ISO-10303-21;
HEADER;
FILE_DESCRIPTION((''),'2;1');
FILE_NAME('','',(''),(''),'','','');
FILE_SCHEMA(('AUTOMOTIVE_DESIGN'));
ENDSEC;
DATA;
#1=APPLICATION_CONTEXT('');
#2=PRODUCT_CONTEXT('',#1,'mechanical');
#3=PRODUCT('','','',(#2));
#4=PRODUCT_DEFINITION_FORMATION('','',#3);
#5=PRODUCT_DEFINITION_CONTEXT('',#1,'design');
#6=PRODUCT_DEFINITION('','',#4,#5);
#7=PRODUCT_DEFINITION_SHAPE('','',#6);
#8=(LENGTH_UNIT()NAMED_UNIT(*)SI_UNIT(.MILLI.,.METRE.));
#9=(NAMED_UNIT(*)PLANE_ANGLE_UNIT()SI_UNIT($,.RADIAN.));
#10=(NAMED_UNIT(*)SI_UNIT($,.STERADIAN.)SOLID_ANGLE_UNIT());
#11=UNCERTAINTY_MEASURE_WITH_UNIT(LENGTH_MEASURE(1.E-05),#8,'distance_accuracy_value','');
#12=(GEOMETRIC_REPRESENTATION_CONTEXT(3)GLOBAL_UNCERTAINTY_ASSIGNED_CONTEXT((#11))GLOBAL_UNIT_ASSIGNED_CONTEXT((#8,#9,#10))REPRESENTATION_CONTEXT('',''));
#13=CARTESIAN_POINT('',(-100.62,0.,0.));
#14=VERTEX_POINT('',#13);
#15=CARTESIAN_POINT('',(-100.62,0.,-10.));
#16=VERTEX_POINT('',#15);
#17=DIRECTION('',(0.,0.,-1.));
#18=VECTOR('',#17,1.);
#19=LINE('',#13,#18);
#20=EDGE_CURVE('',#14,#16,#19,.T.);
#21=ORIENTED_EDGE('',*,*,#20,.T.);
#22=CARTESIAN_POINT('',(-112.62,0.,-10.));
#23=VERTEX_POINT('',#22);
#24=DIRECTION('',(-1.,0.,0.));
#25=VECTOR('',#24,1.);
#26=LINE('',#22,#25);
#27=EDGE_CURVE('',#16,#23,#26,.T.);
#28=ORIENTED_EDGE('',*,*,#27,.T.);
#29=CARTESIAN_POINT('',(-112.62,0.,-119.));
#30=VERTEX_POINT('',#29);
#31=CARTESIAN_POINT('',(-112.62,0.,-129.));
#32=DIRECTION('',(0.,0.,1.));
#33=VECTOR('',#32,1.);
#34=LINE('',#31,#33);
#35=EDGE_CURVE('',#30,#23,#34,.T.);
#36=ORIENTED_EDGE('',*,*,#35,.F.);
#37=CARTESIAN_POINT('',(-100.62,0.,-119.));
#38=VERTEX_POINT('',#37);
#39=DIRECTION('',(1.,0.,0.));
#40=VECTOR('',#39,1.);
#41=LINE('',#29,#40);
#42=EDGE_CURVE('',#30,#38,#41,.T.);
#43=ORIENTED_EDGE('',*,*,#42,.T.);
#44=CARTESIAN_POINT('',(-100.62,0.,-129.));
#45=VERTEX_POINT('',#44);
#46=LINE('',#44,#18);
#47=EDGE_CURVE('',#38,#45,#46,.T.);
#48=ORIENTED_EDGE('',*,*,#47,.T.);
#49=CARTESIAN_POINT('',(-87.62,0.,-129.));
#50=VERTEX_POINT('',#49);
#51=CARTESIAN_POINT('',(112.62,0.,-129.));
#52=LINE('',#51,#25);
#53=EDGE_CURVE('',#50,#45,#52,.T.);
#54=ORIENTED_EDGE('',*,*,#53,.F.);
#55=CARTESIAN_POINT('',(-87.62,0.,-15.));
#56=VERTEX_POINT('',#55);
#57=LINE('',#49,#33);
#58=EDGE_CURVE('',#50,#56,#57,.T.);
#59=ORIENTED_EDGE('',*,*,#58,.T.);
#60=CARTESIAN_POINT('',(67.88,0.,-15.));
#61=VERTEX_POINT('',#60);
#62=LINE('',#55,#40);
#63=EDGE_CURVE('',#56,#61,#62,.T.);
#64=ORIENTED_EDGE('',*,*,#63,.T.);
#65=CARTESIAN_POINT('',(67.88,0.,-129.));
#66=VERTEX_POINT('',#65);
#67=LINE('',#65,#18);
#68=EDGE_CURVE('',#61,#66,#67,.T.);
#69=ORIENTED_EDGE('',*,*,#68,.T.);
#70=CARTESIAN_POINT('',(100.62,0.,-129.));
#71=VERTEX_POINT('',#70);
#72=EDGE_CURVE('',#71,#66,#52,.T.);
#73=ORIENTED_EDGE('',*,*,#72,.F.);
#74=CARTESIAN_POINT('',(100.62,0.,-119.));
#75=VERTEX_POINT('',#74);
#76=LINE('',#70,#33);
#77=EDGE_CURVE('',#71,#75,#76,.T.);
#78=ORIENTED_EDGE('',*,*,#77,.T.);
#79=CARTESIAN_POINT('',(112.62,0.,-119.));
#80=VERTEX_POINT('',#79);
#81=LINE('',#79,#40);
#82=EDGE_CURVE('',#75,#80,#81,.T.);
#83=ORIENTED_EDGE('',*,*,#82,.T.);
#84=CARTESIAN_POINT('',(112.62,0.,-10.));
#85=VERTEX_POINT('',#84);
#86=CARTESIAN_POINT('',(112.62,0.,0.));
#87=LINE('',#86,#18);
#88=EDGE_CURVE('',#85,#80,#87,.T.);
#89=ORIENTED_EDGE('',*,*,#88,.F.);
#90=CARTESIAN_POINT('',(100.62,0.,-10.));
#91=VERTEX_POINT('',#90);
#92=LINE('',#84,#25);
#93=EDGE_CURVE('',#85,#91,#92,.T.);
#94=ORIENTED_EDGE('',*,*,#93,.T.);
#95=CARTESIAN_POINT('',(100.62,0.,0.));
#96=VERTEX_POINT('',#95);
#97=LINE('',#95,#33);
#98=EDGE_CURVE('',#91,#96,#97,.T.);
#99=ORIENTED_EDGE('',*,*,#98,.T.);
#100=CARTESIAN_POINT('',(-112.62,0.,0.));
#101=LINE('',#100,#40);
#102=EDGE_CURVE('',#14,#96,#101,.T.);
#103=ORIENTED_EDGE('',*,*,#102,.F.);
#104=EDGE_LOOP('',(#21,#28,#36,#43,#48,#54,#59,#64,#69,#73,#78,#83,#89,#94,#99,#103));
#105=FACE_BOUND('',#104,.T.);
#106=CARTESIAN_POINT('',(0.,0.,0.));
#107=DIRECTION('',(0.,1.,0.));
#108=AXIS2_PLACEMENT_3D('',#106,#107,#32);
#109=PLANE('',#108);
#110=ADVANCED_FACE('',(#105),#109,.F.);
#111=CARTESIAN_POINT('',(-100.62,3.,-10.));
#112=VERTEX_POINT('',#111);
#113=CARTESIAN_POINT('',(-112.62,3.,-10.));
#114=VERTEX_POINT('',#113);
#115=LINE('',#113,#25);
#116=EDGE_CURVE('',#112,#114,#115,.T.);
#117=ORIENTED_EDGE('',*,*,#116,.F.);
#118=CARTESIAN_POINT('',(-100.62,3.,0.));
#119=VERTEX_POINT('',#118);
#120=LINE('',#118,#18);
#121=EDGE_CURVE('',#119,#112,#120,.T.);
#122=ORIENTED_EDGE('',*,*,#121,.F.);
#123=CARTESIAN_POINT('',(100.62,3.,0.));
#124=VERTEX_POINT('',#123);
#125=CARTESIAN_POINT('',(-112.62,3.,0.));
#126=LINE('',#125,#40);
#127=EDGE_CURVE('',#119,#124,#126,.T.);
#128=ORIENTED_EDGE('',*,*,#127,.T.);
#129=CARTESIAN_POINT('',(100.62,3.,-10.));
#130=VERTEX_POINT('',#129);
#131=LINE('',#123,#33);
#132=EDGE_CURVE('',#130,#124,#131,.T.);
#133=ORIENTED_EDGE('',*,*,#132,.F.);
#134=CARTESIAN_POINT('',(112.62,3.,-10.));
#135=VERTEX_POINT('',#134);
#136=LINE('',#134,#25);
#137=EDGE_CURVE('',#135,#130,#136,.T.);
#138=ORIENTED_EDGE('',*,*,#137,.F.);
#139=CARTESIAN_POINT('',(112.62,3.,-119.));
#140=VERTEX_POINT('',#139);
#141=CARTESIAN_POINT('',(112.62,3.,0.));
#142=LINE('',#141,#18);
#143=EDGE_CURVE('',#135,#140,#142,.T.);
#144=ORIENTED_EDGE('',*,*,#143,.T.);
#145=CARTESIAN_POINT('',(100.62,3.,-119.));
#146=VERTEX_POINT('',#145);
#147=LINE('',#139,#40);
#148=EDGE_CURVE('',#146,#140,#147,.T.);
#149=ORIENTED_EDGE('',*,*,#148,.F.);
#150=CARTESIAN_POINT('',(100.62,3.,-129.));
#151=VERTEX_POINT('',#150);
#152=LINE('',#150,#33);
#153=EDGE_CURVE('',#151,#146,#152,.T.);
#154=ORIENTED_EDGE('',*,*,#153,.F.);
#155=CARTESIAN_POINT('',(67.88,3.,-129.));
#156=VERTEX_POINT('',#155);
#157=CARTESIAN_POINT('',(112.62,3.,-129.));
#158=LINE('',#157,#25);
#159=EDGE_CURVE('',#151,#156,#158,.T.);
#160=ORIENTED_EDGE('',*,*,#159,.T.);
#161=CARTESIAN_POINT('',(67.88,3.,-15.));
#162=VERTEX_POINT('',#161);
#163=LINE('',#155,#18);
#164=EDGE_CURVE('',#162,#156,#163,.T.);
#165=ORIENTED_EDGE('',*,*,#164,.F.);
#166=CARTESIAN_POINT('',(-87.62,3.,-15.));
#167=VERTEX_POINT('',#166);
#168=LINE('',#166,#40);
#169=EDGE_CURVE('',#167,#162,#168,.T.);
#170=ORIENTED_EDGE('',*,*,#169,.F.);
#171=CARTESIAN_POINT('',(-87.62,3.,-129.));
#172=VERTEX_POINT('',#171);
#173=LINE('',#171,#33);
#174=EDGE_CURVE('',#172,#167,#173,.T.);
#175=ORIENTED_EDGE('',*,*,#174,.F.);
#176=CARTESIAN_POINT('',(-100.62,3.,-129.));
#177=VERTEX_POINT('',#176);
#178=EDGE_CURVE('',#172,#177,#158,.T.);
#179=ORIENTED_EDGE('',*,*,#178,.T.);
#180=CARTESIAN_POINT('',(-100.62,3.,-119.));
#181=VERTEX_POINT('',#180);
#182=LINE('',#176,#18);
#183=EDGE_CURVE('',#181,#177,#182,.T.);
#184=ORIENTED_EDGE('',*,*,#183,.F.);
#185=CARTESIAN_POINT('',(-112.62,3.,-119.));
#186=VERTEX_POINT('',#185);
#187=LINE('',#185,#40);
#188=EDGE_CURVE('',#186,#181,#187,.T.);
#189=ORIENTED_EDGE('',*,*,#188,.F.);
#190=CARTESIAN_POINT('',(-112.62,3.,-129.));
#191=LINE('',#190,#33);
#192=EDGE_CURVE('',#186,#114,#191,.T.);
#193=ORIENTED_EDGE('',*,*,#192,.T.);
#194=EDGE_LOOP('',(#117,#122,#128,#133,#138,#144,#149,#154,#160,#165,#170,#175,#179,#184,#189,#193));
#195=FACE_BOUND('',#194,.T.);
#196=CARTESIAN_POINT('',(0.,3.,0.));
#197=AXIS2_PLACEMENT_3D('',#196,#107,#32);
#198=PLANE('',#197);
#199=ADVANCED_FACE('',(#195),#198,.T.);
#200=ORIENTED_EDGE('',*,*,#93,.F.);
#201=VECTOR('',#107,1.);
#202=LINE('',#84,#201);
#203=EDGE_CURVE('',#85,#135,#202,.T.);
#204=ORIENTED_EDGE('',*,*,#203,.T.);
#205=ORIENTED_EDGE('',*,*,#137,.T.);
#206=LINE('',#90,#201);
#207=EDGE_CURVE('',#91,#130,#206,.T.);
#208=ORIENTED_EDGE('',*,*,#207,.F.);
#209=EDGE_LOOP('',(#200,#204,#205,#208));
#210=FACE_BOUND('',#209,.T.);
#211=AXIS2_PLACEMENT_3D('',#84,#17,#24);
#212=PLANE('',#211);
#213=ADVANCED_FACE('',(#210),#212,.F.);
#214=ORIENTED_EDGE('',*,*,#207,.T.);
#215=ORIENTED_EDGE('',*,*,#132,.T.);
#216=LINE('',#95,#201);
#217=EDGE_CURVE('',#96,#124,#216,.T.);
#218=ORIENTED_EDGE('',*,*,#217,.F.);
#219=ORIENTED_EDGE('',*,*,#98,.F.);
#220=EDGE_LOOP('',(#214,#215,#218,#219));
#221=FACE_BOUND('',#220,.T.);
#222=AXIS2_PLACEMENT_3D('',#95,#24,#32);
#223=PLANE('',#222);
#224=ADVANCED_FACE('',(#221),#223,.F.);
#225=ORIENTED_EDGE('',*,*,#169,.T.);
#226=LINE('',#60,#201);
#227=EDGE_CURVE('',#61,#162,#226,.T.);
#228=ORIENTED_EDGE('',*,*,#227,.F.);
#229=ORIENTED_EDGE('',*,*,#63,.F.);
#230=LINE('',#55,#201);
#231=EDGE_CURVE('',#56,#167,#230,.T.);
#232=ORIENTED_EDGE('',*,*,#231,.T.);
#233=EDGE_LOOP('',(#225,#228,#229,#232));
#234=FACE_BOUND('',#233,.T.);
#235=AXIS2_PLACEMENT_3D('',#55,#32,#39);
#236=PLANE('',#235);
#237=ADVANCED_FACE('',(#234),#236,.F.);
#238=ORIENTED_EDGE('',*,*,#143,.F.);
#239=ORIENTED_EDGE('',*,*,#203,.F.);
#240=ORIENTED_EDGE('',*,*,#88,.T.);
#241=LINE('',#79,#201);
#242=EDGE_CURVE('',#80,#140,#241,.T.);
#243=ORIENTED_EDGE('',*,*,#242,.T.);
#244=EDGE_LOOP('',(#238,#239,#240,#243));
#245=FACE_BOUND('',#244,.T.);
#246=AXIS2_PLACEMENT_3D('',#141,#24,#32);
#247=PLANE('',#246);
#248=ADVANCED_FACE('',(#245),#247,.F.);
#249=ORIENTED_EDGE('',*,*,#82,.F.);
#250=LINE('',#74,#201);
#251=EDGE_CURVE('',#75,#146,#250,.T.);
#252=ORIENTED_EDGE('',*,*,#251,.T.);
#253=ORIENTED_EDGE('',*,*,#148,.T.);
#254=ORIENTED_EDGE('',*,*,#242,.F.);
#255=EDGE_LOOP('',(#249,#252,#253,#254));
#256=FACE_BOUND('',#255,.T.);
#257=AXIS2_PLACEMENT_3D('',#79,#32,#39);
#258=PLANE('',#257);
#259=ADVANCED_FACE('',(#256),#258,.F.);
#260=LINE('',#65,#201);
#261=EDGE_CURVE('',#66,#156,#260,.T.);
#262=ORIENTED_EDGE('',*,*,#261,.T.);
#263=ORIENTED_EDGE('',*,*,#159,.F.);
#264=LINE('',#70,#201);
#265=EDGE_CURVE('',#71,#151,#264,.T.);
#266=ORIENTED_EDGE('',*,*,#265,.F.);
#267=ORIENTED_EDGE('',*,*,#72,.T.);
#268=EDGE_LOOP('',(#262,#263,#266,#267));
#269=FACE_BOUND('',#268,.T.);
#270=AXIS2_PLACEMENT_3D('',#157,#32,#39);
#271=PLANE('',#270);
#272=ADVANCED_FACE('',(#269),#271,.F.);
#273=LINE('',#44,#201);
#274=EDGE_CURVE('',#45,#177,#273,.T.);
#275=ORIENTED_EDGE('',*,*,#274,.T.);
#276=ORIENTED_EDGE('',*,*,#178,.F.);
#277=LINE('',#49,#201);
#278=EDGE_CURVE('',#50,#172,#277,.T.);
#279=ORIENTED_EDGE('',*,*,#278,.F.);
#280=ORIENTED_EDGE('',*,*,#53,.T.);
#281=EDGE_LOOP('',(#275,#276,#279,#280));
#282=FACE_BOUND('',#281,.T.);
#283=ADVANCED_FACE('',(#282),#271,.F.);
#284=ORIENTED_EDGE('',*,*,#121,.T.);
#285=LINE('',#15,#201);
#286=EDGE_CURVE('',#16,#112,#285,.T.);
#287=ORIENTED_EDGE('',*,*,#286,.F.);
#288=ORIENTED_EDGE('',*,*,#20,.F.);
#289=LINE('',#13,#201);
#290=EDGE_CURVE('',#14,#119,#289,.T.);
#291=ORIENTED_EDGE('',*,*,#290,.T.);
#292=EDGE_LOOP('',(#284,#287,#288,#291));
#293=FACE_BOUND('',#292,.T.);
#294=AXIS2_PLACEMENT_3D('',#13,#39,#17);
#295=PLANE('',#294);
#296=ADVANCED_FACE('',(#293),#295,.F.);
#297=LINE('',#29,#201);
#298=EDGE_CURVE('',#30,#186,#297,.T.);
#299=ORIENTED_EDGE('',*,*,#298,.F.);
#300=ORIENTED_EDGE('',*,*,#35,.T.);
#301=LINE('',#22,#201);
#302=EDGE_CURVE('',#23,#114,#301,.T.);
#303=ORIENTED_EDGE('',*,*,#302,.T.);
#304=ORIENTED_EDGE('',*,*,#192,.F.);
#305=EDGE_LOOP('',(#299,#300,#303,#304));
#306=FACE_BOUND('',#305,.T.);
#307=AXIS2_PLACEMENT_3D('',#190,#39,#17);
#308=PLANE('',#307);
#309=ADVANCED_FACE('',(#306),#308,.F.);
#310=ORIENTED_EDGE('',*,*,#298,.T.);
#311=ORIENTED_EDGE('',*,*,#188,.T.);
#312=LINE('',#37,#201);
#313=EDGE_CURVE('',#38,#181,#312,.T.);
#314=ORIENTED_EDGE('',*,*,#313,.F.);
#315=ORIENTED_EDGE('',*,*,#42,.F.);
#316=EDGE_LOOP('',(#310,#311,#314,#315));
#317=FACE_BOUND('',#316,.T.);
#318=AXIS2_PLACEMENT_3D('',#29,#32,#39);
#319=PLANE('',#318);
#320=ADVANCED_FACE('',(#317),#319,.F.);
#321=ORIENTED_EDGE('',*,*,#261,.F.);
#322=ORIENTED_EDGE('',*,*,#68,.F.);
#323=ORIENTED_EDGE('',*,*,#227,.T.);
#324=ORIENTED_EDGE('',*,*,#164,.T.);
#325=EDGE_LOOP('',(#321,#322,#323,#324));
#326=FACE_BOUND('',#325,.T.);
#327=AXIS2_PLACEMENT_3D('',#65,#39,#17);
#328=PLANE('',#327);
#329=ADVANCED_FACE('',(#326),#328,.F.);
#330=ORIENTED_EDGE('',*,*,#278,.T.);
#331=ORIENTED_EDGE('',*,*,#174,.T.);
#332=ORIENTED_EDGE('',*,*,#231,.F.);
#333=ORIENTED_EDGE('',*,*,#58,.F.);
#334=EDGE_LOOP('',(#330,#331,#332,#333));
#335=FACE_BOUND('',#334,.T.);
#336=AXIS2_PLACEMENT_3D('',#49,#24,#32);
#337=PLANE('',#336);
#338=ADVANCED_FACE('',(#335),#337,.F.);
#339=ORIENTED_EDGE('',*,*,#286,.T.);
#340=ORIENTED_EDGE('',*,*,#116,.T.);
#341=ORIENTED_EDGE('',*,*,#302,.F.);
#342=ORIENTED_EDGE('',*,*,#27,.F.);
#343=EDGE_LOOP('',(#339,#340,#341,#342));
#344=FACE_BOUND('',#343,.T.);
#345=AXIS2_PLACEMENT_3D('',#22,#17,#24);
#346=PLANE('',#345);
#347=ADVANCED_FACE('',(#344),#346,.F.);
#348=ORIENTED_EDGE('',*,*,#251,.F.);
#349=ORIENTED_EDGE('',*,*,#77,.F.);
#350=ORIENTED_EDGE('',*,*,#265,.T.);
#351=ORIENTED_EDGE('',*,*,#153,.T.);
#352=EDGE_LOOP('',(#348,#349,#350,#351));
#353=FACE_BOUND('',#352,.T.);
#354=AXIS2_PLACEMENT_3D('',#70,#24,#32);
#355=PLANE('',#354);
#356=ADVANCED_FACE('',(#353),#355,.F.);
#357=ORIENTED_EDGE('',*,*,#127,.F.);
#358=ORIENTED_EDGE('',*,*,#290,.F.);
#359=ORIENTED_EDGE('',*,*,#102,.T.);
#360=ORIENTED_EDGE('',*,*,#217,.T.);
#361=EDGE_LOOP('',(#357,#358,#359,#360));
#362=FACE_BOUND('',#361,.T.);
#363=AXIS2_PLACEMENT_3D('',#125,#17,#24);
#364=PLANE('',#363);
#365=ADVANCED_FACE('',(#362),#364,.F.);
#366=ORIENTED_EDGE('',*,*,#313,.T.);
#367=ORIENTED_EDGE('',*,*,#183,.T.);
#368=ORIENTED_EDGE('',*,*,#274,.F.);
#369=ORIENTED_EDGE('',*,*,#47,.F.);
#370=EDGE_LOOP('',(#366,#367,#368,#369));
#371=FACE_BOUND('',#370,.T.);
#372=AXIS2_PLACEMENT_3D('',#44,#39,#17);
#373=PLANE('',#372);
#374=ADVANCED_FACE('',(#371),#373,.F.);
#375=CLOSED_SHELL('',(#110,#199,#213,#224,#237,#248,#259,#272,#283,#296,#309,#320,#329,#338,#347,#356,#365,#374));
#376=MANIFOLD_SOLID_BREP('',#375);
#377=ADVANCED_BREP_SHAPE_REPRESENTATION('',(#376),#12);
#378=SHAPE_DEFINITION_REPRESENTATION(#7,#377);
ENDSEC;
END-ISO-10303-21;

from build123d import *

# Parameters (mm, degrees)
SKETCH1_W           = 225.24
SKETCH1_H           = 129
BOSS_EXTRUDE1_DEPTH = 3
SKETCH2_W           = 12
SKETCH2_H           = 10
SKETCH2_W_2         = 155.5
SKETCH2_H_2         = 114
CUT_EXTRUDE1_DEPTH  = 172.269566473


with BuildPart() as part:
    # Sketch1 → Boss-Extrude1 (new body)
    with BuildSketch(Plane(origin=(0, 0, 0), x_dir=(1, 0, 0), z_dir=(0, 1, 0))):
        with Locations((0, 64.5)):
            Rectangle(SKETCH1_W, SKETCH1_H)
    extrude(amount=BOSS_EXTRUDE1_DEPTH)

    # Sketch2 → Cut-Extrude1 (cut, through all)
    with BuildSketch(Plane(origin=(0, 3, 0), x_dir=(1, 0, 0), z_dir=(0, 1, 0))):
        with Locations((-106.62, 124)):
            Rectangle(SKETCH2_W, SKETCH2_H)
        with Locations((106.62, 124)):
            Rectangle(SKETCH2_W, SKETCH2_H)
        with Locations((106.62, 5)):
            Rectangle(SKETCH2_W, SKETCH2_H)
        with Locations((-106.62, 5)):
            Rectangle(SKETCH2_W, SKETCH2_H)
        with Locations((-9.87, 72)):
            Rectangle(SKETCH2_W_2, SKETCH2_H_2)
    extrude(amount=-CUT_EXTRUDE1_DEPTH, mode=Mode.SUBTRACT)


solid = part.part
